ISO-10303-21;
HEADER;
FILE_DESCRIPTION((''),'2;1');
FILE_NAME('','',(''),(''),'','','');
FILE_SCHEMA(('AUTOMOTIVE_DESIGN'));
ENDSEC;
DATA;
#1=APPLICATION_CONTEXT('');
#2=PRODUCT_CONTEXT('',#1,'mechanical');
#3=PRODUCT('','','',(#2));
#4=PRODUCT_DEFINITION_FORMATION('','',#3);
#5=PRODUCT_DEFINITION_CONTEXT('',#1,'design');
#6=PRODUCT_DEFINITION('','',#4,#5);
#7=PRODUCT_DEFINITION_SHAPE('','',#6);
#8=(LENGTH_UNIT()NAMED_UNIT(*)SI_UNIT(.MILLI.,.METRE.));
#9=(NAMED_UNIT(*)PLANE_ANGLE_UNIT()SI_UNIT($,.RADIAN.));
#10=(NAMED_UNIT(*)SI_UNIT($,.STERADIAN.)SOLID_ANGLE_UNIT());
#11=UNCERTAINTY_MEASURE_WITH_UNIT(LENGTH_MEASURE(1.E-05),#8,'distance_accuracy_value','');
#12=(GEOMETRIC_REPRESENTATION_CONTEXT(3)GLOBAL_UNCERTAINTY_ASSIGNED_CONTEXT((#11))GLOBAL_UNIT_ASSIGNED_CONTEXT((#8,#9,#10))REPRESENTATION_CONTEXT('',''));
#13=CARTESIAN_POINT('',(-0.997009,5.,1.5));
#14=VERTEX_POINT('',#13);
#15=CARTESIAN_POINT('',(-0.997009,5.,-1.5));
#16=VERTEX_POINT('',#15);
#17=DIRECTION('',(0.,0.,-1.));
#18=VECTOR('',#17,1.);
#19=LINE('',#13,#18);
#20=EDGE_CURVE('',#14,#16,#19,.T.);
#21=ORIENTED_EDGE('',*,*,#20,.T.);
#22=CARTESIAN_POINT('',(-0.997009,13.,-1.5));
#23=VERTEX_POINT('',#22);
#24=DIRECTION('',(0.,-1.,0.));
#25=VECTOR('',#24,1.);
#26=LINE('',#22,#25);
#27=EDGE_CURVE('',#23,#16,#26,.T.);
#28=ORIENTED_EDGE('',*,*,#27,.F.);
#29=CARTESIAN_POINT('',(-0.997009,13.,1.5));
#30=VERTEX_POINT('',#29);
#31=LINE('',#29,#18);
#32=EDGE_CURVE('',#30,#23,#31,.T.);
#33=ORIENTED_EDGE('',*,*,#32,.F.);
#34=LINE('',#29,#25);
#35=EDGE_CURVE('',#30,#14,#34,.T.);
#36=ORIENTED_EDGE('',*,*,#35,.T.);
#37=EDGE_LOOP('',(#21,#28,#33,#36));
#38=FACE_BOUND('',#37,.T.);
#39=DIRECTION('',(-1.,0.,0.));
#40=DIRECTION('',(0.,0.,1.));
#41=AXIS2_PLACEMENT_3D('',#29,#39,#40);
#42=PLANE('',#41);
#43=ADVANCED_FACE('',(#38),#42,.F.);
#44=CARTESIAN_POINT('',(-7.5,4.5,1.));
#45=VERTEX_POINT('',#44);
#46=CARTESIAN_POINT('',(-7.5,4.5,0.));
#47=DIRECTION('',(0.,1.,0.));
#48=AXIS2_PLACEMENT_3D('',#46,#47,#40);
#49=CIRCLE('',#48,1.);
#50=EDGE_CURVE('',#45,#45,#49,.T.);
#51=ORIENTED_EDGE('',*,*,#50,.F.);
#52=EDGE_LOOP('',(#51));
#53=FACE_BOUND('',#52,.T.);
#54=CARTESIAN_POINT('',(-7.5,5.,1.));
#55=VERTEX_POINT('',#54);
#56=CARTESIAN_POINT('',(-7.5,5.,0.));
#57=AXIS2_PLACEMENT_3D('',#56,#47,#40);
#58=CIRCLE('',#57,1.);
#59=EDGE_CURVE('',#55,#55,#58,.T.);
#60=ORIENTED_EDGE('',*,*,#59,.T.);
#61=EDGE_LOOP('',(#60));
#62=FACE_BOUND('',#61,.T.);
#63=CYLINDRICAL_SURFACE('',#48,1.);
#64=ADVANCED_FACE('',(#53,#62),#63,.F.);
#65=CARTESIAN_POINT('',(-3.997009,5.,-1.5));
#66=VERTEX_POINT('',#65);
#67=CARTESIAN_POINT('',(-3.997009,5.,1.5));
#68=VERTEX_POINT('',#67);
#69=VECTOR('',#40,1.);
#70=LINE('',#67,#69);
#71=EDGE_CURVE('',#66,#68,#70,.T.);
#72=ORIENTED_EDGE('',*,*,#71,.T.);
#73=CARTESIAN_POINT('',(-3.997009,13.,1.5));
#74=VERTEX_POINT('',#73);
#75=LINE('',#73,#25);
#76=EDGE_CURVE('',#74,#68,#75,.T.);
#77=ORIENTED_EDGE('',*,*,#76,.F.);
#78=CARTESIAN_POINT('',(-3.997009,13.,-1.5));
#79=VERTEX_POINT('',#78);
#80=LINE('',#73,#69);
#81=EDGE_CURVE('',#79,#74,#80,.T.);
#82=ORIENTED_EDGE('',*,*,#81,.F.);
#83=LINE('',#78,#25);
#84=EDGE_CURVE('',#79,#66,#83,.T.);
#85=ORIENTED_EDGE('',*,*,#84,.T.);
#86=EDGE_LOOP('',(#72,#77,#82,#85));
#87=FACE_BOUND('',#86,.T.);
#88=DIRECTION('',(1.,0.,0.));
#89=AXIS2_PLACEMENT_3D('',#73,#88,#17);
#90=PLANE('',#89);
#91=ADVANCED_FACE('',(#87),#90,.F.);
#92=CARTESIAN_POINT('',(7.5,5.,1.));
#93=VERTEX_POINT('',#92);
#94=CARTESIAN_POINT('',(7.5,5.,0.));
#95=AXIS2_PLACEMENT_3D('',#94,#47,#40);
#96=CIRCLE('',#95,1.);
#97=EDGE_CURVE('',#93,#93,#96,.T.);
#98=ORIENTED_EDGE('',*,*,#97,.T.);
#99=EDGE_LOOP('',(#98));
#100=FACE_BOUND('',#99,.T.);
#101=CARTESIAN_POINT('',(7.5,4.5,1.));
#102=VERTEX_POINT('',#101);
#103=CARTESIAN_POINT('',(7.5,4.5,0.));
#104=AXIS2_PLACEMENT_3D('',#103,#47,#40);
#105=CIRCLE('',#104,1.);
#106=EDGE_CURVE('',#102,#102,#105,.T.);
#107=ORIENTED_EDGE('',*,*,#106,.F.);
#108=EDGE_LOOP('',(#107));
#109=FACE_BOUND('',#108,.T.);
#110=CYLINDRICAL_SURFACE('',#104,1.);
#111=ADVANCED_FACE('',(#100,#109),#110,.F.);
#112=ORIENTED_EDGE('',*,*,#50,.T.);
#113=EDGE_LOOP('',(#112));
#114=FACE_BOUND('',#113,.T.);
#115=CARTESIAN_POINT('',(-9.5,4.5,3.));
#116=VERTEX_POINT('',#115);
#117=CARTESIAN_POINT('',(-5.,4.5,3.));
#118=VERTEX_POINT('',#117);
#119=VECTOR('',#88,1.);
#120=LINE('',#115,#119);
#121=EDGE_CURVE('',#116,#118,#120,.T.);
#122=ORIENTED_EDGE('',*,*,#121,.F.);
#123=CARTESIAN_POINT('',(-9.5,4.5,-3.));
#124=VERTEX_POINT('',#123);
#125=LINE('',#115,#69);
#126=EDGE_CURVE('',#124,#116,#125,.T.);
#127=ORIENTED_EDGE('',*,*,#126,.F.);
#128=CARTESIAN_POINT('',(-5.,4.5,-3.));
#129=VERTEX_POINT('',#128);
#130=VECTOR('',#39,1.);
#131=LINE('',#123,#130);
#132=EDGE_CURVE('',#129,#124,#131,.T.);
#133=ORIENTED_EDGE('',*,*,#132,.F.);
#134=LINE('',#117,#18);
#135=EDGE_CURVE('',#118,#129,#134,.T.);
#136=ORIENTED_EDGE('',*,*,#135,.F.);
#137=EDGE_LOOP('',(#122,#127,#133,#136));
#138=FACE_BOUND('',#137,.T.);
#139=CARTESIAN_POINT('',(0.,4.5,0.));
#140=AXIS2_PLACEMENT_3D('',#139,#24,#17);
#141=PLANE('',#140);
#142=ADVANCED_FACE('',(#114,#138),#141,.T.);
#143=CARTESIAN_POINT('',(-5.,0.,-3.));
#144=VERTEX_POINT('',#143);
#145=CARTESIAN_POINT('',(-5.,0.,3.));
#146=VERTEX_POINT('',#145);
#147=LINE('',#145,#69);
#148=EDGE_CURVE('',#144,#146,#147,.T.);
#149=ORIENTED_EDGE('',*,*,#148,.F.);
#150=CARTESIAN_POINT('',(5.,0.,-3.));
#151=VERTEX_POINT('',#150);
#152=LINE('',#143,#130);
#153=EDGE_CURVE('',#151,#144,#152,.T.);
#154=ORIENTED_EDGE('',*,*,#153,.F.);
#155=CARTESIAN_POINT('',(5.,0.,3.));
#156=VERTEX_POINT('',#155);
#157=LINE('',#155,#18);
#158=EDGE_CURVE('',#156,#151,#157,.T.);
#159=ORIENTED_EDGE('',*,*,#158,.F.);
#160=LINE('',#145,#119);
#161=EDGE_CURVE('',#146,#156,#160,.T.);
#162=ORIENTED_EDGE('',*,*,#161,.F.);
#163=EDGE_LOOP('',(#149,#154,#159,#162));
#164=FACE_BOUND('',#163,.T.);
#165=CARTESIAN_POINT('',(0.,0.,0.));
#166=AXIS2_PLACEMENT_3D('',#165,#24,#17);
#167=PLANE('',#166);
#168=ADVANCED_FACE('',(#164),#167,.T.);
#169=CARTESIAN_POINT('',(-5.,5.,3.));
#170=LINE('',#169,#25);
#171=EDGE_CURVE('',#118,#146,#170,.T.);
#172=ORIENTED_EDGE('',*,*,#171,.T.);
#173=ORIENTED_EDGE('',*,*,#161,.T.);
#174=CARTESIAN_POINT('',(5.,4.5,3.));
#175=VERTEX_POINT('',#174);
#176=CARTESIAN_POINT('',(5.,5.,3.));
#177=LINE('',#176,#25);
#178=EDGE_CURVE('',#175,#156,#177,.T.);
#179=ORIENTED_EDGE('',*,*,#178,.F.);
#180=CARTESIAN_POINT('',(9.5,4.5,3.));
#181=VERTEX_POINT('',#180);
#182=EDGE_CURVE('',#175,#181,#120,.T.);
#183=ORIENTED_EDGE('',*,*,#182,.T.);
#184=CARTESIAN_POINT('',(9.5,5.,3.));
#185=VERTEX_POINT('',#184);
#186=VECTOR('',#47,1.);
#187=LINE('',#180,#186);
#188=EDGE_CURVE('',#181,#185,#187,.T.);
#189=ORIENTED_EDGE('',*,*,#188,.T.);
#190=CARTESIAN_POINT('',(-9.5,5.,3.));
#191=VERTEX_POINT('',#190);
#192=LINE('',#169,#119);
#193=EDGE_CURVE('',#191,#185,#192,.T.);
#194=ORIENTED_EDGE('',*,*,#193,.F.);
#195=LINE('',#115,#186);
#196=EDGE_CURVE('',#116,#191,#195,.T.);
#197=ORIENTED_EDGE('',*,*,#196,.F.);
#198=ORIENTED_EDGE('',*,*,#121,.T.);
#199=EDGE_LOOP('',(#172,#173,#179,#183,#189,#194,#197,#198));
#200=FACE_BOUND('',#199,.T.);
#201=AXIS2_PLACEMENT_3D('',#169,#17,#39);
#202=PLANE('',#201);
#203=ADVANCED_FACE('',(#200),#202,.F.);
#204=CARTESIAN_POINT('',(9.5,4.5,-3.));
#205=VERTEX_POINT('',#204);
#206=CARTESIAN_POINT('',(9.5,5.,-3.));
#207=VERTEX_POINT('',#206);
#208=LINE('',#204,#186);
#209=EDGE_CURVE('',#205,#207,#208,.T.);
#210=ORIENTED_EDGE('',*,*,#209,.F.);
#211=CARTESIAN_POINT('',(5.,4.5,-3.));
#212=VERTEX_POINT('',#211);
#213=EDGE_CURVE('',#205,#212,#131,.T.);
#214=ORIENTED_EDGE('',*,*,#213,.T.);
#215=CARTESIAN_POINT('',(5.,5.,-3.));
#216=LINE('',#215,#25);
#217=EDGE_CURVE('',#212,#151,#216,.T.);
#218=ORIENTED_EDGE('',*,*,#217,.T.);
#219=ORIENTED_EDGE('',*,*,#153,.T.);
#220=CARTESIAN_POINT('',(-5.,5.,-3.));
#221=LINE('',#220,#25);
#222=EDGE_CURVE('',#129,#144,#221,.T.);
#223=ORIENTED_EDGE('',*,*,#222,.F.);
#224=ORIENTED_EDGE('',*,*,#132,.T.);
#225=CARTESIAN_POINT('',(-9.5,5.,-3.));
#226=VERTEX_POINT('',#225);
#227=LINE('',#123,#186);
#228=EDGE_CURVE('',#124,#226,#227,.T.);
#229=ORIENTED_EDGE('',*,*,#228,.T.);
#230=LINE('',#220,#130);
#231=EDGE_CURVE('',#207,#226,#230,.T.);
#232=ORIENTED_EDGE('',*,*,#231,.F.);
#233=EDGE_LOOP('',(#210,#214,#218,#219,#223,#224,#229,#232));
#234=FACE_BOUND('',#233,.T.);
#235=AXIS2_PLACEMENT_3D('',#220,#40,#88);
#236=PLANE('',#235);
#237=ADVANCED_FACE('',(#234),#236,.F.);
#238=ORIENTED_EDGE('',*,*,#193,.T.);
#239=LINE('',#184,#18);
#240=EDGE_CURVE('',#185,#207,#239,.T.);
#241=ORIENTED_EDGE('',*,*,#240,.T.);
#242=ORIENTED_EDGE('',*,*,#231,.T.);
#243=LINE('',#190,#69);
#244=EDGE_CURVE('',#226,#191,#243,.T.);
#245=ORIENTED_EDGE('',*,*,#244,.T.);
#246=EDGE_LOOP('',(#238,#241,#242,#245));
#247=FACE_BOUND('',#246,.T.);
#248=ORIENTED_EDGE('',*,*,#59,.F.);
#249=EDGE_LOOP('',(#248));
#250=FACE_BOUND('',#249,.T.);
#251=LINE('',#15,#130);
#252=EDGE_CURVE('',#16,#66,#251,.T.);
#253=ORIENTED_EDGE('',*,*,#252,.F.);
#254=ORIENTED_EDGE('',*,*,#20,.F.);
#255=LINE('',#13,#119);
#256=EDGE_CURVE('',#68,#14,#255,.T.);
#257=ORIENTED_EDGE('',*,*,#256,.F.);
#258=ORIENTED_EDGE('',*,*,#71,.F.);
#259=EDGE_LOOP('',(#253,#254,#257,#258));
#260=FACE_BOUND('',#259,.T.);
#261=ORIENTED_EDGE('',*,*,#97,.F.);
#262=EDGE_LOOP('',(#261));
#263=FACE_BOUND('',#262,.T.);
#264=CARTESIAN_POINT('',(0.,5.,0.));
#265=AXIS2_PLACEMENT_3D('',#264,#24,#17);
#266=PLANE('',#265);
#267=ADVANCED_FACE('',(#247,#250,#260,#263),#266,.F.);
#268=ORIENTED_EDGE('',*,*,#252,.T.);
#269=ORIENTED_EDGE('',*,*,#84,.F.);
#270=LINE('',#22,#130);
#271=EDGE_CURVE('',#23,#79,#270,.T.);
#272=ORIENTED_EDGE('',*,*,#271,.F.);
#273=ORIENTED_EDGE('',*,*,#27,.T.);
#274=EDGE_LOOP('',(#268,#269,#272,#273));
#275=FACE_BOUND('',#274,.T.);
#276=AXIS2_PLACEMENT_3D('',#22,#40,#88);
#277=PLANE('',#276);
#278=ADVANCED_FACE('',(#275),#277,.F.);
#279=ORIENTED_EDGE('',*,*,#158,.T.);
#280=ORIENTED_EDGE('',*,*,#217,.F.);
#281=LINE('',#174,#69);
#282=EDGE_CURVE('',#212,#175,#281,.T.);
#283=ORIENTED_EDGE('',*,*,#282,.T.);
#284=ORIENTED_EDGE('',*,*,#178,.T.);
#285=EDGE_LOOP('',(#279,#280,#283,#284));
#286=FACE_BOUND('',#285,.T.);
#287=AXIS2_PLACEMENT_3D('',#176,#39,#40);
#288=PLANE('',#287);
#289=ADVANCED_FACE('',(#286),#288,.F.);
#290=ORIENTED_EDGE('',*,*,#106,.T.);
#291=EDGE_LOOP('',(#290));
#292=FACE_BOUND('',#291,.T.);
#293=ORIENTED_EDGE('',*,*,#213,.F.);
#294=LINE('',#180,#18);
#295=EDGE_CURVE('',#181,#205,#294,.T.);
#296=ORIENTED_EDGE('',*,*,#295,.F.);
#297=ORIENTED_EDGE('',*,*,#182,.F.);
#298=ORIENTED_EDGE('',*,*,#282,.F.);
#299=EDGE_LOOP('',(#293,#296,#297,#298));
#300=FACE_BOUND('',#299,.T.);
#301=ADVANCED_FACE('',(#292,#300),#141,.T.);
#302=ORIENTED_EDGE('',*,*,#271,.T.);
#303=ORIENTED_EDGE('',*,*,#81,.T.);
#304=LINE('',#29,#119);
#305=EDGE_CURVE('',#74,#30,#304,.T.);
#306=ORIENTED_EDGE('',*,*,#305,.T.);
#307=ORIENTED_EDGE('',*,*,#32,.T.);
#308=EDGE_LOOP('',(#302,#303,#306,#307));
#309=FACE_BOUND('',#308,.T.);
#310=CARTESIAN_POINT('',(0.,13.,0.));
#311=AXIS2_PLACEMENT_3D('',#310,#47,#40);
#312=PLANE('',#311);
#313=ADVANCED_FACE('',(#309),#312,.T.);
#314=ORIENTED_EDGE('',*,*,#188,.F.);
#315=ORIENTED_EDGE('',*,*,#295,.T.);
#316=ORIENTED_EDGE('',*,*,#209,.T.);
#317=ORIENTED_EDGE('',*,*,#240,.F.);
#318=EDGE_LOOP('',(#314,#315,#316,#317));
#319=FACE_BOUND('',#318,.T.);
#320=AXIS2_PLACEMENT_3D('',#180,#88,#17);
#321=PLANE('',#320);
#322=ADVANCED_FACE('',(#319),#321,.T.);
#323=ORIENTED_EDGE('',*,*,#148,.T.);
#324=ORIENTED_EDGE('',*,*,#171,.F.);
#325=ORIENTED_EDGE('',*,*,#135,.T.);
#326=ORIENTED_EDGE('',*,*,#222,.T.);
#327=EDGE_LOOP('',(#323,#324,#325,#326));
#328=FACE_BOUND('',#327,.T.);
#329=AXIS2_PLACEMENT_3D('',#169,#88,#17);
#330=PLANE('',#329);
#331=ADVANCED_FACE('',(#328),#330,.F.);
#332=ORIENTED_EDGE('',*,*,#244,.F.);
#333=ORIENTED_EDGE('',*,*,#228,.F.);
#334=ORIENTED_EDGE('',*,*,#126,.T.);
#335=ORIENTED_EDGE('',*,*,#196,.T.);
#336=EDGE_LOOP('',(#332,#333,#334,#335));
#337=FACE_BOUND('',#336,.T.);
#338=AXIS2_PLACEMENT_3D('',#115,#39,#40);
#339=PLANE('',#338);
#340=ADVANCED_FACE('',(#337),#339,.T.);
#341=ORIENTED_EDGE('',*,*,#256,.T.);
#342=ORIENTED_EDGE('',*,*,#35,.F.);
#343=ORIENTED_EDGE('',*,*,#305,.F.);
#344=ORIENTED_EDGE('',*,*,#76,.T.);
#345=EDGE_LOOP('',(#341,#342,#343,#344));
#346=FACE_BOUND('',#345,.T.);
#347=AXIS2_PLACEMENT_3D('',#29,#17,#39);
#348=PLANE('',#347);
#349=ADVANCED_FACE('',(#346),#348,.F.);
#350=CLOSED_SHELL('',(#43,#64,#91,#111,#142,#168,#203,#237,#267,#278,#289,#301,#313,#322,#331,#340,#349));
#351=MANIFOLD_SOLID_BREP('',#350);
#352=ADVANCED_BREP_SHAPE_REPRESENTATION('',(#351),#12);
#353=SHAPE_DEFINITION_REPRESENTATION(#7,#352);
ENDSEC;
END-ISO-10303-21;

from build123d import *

# Parameters (mm, degrees)
SKETCH1_W           = 10
SKETCH1_H           = 6
BOSS_EXTRUDE1_DEPTH = 5
SKETCH2_W           = 19
SKETCH2_H           = 6
SKETCH2_R           = 1
BOSS_EXTRUDE2_DEPTH = 0.5
SKETCH3_W           = 3
SKETCH3_H           = 3
BOSS_EXTRUDE3_DEPTH = 8


with BuildPart() as part:
    # Sketch1 → Boss-Extrude1 (new body)
    with BuildSketch(Plane(origin=(0, 0, 0), x_dir=(1, 0, 0), z_dir=(0, 1, 0))):
        Rectangle(SKETCH1_W, SKETCH1_H)
    extrude(amount=BOSS_EXTRUDE1_DEPTH)

    # Sketch2 → Boss-Extrude2 (add)
    with BuildSketch(Plane(origin=(0, 5, 0), x_dir=(1, 0, 0), z_dir=(0, 1, 0))):
        Rectangle(SKETCH2_W, SKETCH2_H)
        with Locations(Location((-7.5, 0, 0), (0, 0, 270))):
            Circle(SKETCH2_R, mode=Mode.SUBTRACT)
        with Locations(Location((7.5, 0, 0), (0, 0, 270))):
            Circle(SKETCH2_R, mode=Mode.SUBTRACT)
    extrude(amount=-BOSS_EXTRUDE2_DEPTH)

    # Sketch3 → Boss-Extrude3 (add)
    with BuildSketch(Plane(origin=(0, 5, 0), x_dir=(1, 0, 0), z_dir=(0, 1, 0))):
        with Locations((-2.497009228, 0)):
            Rectangle(SKETCH3_W, SKETCH3_H)
    extrude(amount=BOSS_EXTRUDE3_DEPTH)


solid = part.part
